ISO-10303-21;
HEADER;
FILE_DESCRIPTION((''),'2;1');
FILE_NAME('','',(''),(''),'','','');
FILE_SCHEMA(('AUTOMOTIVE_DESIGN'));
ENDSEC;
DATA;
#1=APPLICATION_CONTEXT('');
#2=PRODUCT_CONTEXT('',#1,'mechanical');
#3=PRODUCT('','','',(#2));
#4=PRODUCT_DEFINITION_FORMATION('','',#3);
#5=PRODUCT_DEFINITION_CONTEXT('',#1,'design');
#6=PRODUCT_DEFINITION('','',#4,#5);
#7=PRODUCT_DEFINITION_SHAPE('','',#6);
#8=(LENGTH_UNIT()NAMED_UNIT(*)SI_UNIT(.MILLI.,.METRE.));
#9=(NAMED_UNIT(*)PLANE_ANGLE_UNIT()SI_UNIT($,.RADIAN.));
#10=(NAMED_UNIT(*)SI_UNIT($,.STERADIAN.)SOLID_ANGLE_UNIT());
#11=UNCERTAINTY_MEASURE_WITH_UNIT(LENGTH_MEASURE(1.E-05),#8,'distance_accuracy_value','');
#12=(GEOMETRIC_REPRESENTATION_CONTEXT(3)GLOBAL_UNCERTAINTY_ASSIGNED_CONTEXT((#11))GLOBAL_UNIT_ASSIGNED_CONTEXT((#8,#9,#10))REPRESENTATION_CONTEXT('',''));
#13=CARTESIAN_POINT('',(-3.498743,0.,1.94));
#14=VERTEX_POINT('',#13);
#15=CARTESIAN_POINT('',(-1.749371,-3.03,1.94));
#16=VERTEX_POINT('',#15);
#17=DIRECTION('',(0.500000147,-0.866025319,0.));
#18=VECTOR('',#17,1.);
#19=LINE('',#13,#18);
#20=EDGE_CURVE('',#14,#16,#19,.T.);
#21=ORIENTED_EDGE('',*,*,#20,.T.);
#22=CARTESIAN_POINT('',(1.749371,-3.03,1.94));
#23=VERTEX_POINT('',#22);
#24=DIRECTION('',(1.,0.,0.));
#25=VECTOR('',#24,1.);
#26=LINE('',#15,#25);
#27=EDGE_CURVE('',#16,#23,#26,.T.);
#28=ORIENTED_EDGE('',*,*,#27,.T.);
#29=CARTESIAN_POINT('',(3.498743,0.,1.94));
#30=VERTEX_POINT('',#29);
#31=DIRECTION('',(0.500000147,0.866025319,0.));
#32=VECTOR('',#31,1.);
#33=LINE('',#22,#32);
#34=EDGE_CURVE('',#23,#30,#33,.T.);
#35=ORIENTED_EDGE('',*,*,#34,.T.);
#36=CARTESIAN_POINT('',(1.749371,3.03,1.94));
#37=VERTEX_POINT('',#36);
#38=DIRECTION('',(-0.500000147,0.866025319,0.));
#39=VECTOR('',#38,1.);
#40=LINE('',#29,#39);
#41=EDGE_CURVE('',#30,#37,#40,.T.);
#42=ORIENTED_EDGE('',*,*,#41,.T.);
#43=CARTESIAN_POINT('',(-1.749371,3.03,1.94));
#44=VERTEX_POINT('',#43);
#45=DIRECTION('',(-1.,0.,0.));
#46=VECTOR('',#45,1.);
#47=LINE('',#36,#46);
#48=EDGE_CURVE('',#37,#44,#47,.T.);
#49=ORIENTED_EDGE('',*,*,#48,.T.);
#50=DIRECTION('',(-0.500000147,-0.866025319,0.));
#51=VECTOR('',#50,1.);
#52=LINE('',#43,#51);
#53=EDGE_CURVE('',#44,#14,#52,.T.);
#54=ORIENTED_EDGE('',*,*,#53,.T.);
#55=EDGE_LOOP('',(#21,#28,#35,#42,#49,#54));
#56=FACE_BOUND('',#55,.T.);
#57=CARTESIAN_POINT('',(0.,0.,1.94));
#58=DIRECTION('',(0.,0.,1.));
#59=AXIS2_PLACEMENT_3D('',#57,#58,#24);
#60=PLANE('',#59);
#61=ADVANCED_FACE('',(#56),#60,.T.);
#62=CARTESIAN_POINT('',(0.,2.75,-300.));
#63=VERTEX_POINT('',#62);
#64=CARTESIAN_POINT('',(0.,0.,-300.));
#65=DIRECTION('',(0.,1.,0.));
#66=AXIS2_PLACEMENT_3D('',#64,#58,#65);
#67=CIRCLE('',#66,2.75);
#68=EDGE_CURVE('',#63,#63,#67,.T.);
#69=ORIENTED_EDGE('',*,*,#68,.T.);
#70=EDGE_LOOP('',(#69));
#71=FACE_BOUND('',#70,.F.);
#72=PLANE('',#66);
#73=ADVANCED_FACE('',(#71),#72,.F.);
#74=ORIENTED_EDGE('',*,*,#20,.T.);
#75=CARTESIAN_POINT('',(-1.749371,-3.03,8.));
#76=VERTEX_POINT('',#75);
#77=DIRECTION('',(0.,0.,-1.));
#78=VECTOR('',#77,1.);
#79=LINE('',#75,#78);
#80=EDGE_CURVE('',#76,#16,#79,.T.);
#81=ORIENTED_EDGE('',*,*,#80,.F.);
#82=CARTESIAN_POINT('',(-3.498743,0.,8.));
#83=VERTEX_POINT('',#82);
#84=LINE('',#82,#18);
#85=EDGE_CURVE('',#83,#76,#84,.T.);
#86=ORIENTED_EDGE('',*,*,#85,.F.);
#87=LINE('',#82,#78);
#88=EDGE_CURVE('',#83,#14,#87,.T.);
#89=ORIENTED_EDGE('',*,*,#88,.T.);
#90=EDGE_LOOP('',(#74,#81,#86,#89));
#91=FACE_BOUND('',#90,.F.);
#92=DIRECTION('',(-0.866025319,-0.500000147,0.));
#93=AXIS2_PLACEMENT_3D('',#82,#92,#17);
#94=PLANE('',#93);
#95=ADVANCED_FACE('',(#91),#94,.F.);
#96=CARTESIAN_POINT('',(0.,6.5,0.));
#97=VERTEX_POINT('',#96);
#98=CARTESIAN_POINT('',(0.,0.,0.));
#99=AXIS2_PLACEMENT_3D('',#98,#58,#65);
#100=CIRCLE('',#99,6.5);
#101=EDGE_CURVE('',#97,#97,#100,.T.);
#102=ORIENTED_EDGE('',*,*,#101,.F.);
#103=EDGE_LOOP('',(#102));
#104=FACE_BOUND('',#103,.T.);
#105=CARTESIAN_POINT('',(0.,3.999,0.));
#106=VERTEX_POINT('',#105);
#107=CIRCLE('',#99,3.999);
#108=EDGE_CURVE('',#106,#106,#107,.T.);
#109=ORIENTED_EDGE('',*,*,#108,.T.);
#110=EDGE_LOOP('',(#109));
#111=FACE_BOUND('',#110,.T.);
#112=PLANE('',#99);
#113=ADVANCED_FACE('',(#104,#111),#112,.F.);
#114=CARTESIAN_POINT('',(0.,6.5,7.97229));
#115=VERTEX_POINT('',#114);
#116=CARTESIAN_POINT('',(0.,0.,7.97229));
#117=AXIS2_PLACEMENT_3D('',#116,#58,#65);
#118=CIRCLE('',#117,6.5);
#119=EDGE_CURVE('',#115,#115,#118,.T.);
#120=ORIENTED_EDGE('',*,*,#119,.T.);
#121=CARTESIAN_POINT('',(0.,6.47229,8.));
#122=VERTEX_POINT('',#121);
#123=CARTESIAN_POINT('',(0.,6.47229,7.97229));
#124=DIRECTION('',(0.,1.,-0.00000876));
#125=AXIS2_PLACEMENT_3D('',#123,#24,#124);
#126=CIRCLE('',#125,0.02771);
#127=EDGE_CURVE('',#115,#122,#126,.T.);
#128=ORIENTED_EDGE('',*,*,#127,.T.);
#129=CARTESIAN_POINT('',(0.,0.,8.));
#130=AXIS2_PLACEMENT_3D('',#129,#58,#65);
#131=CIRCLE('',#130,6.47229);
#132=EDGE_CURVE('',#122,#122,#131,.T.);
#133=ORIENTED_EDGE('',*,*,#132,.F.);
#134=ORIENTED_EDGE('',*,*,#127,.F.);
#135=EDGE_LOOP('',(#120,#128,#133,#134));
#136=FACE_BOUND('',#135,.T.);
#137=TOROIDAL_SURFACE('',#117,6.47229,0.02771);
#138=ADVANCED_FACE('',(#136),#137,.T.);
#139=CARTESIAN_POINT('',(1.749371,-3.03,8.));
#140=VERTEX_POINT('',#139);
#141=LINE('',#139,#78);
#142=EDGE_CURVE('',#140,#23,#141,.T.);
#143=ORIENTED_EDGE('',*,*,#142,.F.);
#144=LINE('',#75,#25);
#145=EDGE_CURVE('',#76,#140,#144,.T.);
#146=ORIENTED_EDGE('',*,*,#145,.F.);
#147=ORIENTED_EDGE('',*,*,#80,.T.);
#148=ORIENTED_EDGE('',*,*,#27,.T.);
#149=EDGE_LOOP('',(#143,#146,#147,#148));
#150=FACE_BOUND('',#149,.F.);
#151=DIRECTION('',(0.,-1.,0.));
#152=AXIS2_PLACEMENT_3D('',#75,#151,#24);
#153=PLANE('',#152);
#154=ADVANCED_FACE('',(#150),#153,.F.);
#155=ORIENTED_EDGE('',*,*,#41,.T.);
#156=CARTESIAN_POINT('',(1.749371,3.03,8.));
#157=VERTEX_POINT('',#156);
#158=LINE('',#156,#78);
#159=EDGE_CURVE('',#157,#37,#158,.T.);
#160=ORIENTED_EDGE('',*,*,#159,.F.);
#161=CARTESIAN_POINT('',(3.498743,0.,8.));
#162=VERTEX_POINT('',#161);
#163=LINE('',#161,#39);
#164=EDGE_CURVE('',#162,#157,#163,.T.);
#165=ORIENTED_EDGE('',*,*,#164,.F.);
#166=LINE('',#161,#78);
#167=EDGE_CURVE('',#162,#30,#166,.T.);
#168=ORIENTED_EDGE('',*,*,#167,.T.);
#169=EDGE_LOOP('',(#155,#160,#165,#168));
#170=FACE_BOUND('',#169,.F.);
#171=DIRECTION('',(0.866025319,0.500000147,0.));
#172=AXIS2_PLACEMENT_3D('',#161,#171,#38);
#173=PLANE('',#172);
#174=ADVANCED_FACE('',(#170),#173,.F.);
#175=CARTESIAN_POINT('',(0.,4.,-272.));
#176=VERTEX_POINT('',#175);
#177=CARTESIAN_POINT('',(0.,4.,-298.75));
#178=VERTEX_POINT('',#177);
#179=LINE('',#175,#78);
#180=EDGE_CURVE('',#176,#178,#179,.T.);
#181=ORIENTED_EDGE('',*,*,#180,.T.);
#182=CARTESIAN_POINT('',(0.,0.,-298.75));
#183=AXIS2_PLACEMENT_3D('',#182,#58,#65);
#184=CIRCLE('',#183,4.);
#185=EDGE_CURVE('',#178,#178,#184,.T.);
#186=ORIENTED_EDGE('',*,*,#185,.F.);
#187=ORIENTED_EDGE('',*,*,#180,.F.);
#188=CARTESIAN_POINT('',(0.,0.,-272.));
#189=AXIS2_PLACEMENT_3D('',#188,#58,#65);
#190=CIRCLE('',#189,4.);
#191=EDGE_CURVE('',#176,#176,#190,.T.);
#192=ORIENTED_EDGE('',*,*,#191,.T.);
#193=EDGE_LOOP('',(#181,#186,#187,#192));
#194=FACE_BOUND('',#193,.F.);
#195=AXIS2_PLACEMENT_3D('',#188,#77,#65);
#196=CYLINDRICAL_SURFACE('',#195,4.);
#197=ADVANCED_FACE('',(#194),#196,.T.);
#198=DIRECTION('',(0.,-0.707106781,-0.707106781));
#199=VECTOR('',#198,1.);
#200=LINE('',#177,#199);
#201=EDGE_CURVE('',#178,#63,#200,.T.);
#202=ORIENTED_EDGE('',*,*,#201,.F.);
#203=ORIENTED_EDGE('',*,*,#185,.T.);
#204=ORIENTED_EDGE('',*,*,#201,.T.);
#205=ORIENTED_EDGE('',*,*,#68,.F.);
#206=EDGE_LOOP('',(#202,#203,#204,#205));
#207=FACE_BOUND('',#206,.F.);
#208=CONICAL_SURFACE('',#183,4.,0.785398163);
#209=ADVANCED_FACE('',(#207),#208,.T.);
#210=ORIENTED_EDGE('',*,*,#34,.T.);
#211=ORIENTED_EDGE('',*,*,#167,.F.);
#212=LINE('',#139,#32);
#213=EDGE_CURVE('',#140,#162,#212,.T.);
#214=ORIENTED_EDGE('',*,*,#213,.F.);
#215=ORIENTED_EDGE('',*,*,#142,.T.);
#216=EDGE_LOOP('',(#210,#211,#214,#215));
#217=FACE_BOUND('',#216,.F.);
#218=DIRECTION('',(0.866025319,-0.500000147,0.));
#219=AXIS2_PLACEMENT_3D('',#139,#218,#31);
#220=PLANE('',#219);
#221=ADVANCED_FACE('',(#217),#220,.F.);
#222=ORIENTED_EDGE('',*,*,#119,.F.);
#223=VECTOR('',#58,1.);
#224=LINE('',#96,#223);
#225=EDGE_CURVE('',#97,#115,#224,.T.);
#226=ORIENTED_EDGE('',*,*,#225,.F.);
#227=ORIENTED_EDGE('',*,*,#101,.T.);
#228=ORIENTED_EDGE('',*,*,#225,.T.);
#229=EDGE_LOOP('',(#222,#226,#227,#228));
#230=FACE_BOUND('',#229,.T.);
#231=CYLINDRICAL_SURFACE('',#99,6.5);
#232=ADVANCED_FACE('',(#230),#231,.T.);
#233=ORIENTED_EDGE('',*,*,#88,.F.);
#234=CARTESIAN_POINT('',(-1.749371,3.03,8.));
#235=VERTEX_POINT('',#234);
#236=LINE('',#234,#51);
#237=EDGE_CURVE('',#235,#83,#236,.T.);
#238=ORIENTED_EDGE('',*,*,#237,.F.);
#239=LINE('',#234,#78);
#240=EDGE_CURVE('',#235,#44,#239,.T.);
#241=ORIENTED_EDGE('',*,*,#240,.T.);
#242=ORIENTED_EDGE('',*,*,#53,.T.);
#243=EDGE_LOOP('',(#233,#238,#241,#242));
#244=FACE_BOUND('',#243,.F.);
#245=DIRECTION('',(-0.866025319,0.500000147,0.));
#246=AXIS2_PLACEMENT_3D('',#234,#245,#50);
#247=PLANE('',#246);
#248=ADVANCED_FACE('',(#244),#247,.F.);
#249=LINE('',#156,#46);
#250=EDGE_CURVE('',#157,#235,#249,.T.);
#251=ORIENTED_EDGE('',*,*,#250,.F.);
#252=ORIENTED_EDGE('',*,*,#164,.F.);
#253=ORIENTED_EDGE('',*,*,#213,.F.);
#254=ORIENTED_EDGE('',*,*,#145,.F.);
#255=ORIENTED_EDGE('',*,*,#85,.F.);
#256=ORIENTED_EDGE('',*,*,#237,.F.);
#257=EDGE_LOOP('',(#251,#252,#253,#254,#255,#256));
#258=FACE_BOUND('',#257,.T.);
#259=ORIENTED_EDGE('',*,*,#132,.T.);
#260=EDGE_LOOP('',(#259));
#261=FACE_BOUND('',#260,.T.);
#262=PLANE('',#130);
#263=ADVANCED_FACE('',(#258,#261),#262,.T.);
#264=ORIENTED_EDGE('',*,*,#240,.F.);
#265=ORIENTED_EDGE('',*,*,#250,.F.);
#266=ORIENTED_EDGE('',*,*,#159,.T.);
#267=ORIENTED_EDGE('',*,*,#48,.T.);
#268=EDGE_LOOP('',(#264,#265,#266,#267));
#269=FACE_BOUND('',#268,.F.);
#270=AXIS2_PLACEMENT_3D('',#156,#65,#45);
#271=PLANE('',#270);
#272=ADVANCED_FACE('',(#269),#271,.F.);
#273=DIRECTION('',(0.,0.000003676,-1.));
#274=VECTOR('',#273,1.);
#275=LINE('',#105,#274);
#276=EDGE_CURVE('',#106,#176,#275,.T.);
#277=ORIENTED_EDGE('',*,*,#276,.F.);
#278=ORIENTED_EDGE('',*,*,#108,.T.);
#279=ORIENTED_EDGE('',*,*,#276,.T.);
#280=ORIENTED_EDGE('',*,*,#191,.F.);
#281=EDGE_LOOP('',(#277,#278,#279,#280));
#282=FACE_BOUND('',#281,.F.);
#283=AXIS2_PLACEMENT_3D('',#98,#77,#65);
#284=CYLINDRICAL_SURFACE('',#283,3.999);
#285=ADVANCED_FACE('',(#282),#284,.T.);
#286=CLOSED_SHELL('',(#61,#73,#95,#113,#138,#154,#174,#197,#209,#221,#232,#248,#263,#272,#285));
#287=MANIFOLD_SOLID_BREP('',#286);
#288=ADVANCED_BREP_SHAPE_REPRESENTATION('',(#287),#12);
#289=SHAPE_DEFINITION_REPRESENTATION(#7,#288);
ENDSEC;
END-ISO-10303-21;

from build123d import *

# Parameters (mm, degrees)
POCKET_DEPTH = 6.06


with BuildPart() as part:
    # Sketch → Revolve (revolve)
    with BuildSketch(Plane.YZ):
        with BuildLine():
            Line((3.999, 0), (6.5, 0))
            Line((6.5, 0), (6.5, 7.97229))
            ThreePointArc((6.5, 7.97229), (6.491884, 7.991884), (6.47229, 8))
            Line((6.47229, 8), (0, 8))
            Line((0, -300), (0, 8))
            Line((2.75, -300), (0, -300))
            Line((4, -298.75), (2.75, -300))
            Line((4, -272), (4, -298.75))
            Line((3.999, 0), (4, -272))
        make_face()
    revolve(axis=Axis((0, 0, 0), (0, 0, 1)))

    # Sketch001 → Pocket (cut)
    with BuildSketch(Plane.XY.offset(8)):
        Polygon((3.498743, 0), (1.749371, 3.03), (-1.749371, 3.03), (-3.498743, 0), (-1.749371, -3.03), (1.749371, -3.03), align=None)
    extrude(amount=-POCKET_DEPTH, mode=Mode.SUBTRACT)


solid = part.part
